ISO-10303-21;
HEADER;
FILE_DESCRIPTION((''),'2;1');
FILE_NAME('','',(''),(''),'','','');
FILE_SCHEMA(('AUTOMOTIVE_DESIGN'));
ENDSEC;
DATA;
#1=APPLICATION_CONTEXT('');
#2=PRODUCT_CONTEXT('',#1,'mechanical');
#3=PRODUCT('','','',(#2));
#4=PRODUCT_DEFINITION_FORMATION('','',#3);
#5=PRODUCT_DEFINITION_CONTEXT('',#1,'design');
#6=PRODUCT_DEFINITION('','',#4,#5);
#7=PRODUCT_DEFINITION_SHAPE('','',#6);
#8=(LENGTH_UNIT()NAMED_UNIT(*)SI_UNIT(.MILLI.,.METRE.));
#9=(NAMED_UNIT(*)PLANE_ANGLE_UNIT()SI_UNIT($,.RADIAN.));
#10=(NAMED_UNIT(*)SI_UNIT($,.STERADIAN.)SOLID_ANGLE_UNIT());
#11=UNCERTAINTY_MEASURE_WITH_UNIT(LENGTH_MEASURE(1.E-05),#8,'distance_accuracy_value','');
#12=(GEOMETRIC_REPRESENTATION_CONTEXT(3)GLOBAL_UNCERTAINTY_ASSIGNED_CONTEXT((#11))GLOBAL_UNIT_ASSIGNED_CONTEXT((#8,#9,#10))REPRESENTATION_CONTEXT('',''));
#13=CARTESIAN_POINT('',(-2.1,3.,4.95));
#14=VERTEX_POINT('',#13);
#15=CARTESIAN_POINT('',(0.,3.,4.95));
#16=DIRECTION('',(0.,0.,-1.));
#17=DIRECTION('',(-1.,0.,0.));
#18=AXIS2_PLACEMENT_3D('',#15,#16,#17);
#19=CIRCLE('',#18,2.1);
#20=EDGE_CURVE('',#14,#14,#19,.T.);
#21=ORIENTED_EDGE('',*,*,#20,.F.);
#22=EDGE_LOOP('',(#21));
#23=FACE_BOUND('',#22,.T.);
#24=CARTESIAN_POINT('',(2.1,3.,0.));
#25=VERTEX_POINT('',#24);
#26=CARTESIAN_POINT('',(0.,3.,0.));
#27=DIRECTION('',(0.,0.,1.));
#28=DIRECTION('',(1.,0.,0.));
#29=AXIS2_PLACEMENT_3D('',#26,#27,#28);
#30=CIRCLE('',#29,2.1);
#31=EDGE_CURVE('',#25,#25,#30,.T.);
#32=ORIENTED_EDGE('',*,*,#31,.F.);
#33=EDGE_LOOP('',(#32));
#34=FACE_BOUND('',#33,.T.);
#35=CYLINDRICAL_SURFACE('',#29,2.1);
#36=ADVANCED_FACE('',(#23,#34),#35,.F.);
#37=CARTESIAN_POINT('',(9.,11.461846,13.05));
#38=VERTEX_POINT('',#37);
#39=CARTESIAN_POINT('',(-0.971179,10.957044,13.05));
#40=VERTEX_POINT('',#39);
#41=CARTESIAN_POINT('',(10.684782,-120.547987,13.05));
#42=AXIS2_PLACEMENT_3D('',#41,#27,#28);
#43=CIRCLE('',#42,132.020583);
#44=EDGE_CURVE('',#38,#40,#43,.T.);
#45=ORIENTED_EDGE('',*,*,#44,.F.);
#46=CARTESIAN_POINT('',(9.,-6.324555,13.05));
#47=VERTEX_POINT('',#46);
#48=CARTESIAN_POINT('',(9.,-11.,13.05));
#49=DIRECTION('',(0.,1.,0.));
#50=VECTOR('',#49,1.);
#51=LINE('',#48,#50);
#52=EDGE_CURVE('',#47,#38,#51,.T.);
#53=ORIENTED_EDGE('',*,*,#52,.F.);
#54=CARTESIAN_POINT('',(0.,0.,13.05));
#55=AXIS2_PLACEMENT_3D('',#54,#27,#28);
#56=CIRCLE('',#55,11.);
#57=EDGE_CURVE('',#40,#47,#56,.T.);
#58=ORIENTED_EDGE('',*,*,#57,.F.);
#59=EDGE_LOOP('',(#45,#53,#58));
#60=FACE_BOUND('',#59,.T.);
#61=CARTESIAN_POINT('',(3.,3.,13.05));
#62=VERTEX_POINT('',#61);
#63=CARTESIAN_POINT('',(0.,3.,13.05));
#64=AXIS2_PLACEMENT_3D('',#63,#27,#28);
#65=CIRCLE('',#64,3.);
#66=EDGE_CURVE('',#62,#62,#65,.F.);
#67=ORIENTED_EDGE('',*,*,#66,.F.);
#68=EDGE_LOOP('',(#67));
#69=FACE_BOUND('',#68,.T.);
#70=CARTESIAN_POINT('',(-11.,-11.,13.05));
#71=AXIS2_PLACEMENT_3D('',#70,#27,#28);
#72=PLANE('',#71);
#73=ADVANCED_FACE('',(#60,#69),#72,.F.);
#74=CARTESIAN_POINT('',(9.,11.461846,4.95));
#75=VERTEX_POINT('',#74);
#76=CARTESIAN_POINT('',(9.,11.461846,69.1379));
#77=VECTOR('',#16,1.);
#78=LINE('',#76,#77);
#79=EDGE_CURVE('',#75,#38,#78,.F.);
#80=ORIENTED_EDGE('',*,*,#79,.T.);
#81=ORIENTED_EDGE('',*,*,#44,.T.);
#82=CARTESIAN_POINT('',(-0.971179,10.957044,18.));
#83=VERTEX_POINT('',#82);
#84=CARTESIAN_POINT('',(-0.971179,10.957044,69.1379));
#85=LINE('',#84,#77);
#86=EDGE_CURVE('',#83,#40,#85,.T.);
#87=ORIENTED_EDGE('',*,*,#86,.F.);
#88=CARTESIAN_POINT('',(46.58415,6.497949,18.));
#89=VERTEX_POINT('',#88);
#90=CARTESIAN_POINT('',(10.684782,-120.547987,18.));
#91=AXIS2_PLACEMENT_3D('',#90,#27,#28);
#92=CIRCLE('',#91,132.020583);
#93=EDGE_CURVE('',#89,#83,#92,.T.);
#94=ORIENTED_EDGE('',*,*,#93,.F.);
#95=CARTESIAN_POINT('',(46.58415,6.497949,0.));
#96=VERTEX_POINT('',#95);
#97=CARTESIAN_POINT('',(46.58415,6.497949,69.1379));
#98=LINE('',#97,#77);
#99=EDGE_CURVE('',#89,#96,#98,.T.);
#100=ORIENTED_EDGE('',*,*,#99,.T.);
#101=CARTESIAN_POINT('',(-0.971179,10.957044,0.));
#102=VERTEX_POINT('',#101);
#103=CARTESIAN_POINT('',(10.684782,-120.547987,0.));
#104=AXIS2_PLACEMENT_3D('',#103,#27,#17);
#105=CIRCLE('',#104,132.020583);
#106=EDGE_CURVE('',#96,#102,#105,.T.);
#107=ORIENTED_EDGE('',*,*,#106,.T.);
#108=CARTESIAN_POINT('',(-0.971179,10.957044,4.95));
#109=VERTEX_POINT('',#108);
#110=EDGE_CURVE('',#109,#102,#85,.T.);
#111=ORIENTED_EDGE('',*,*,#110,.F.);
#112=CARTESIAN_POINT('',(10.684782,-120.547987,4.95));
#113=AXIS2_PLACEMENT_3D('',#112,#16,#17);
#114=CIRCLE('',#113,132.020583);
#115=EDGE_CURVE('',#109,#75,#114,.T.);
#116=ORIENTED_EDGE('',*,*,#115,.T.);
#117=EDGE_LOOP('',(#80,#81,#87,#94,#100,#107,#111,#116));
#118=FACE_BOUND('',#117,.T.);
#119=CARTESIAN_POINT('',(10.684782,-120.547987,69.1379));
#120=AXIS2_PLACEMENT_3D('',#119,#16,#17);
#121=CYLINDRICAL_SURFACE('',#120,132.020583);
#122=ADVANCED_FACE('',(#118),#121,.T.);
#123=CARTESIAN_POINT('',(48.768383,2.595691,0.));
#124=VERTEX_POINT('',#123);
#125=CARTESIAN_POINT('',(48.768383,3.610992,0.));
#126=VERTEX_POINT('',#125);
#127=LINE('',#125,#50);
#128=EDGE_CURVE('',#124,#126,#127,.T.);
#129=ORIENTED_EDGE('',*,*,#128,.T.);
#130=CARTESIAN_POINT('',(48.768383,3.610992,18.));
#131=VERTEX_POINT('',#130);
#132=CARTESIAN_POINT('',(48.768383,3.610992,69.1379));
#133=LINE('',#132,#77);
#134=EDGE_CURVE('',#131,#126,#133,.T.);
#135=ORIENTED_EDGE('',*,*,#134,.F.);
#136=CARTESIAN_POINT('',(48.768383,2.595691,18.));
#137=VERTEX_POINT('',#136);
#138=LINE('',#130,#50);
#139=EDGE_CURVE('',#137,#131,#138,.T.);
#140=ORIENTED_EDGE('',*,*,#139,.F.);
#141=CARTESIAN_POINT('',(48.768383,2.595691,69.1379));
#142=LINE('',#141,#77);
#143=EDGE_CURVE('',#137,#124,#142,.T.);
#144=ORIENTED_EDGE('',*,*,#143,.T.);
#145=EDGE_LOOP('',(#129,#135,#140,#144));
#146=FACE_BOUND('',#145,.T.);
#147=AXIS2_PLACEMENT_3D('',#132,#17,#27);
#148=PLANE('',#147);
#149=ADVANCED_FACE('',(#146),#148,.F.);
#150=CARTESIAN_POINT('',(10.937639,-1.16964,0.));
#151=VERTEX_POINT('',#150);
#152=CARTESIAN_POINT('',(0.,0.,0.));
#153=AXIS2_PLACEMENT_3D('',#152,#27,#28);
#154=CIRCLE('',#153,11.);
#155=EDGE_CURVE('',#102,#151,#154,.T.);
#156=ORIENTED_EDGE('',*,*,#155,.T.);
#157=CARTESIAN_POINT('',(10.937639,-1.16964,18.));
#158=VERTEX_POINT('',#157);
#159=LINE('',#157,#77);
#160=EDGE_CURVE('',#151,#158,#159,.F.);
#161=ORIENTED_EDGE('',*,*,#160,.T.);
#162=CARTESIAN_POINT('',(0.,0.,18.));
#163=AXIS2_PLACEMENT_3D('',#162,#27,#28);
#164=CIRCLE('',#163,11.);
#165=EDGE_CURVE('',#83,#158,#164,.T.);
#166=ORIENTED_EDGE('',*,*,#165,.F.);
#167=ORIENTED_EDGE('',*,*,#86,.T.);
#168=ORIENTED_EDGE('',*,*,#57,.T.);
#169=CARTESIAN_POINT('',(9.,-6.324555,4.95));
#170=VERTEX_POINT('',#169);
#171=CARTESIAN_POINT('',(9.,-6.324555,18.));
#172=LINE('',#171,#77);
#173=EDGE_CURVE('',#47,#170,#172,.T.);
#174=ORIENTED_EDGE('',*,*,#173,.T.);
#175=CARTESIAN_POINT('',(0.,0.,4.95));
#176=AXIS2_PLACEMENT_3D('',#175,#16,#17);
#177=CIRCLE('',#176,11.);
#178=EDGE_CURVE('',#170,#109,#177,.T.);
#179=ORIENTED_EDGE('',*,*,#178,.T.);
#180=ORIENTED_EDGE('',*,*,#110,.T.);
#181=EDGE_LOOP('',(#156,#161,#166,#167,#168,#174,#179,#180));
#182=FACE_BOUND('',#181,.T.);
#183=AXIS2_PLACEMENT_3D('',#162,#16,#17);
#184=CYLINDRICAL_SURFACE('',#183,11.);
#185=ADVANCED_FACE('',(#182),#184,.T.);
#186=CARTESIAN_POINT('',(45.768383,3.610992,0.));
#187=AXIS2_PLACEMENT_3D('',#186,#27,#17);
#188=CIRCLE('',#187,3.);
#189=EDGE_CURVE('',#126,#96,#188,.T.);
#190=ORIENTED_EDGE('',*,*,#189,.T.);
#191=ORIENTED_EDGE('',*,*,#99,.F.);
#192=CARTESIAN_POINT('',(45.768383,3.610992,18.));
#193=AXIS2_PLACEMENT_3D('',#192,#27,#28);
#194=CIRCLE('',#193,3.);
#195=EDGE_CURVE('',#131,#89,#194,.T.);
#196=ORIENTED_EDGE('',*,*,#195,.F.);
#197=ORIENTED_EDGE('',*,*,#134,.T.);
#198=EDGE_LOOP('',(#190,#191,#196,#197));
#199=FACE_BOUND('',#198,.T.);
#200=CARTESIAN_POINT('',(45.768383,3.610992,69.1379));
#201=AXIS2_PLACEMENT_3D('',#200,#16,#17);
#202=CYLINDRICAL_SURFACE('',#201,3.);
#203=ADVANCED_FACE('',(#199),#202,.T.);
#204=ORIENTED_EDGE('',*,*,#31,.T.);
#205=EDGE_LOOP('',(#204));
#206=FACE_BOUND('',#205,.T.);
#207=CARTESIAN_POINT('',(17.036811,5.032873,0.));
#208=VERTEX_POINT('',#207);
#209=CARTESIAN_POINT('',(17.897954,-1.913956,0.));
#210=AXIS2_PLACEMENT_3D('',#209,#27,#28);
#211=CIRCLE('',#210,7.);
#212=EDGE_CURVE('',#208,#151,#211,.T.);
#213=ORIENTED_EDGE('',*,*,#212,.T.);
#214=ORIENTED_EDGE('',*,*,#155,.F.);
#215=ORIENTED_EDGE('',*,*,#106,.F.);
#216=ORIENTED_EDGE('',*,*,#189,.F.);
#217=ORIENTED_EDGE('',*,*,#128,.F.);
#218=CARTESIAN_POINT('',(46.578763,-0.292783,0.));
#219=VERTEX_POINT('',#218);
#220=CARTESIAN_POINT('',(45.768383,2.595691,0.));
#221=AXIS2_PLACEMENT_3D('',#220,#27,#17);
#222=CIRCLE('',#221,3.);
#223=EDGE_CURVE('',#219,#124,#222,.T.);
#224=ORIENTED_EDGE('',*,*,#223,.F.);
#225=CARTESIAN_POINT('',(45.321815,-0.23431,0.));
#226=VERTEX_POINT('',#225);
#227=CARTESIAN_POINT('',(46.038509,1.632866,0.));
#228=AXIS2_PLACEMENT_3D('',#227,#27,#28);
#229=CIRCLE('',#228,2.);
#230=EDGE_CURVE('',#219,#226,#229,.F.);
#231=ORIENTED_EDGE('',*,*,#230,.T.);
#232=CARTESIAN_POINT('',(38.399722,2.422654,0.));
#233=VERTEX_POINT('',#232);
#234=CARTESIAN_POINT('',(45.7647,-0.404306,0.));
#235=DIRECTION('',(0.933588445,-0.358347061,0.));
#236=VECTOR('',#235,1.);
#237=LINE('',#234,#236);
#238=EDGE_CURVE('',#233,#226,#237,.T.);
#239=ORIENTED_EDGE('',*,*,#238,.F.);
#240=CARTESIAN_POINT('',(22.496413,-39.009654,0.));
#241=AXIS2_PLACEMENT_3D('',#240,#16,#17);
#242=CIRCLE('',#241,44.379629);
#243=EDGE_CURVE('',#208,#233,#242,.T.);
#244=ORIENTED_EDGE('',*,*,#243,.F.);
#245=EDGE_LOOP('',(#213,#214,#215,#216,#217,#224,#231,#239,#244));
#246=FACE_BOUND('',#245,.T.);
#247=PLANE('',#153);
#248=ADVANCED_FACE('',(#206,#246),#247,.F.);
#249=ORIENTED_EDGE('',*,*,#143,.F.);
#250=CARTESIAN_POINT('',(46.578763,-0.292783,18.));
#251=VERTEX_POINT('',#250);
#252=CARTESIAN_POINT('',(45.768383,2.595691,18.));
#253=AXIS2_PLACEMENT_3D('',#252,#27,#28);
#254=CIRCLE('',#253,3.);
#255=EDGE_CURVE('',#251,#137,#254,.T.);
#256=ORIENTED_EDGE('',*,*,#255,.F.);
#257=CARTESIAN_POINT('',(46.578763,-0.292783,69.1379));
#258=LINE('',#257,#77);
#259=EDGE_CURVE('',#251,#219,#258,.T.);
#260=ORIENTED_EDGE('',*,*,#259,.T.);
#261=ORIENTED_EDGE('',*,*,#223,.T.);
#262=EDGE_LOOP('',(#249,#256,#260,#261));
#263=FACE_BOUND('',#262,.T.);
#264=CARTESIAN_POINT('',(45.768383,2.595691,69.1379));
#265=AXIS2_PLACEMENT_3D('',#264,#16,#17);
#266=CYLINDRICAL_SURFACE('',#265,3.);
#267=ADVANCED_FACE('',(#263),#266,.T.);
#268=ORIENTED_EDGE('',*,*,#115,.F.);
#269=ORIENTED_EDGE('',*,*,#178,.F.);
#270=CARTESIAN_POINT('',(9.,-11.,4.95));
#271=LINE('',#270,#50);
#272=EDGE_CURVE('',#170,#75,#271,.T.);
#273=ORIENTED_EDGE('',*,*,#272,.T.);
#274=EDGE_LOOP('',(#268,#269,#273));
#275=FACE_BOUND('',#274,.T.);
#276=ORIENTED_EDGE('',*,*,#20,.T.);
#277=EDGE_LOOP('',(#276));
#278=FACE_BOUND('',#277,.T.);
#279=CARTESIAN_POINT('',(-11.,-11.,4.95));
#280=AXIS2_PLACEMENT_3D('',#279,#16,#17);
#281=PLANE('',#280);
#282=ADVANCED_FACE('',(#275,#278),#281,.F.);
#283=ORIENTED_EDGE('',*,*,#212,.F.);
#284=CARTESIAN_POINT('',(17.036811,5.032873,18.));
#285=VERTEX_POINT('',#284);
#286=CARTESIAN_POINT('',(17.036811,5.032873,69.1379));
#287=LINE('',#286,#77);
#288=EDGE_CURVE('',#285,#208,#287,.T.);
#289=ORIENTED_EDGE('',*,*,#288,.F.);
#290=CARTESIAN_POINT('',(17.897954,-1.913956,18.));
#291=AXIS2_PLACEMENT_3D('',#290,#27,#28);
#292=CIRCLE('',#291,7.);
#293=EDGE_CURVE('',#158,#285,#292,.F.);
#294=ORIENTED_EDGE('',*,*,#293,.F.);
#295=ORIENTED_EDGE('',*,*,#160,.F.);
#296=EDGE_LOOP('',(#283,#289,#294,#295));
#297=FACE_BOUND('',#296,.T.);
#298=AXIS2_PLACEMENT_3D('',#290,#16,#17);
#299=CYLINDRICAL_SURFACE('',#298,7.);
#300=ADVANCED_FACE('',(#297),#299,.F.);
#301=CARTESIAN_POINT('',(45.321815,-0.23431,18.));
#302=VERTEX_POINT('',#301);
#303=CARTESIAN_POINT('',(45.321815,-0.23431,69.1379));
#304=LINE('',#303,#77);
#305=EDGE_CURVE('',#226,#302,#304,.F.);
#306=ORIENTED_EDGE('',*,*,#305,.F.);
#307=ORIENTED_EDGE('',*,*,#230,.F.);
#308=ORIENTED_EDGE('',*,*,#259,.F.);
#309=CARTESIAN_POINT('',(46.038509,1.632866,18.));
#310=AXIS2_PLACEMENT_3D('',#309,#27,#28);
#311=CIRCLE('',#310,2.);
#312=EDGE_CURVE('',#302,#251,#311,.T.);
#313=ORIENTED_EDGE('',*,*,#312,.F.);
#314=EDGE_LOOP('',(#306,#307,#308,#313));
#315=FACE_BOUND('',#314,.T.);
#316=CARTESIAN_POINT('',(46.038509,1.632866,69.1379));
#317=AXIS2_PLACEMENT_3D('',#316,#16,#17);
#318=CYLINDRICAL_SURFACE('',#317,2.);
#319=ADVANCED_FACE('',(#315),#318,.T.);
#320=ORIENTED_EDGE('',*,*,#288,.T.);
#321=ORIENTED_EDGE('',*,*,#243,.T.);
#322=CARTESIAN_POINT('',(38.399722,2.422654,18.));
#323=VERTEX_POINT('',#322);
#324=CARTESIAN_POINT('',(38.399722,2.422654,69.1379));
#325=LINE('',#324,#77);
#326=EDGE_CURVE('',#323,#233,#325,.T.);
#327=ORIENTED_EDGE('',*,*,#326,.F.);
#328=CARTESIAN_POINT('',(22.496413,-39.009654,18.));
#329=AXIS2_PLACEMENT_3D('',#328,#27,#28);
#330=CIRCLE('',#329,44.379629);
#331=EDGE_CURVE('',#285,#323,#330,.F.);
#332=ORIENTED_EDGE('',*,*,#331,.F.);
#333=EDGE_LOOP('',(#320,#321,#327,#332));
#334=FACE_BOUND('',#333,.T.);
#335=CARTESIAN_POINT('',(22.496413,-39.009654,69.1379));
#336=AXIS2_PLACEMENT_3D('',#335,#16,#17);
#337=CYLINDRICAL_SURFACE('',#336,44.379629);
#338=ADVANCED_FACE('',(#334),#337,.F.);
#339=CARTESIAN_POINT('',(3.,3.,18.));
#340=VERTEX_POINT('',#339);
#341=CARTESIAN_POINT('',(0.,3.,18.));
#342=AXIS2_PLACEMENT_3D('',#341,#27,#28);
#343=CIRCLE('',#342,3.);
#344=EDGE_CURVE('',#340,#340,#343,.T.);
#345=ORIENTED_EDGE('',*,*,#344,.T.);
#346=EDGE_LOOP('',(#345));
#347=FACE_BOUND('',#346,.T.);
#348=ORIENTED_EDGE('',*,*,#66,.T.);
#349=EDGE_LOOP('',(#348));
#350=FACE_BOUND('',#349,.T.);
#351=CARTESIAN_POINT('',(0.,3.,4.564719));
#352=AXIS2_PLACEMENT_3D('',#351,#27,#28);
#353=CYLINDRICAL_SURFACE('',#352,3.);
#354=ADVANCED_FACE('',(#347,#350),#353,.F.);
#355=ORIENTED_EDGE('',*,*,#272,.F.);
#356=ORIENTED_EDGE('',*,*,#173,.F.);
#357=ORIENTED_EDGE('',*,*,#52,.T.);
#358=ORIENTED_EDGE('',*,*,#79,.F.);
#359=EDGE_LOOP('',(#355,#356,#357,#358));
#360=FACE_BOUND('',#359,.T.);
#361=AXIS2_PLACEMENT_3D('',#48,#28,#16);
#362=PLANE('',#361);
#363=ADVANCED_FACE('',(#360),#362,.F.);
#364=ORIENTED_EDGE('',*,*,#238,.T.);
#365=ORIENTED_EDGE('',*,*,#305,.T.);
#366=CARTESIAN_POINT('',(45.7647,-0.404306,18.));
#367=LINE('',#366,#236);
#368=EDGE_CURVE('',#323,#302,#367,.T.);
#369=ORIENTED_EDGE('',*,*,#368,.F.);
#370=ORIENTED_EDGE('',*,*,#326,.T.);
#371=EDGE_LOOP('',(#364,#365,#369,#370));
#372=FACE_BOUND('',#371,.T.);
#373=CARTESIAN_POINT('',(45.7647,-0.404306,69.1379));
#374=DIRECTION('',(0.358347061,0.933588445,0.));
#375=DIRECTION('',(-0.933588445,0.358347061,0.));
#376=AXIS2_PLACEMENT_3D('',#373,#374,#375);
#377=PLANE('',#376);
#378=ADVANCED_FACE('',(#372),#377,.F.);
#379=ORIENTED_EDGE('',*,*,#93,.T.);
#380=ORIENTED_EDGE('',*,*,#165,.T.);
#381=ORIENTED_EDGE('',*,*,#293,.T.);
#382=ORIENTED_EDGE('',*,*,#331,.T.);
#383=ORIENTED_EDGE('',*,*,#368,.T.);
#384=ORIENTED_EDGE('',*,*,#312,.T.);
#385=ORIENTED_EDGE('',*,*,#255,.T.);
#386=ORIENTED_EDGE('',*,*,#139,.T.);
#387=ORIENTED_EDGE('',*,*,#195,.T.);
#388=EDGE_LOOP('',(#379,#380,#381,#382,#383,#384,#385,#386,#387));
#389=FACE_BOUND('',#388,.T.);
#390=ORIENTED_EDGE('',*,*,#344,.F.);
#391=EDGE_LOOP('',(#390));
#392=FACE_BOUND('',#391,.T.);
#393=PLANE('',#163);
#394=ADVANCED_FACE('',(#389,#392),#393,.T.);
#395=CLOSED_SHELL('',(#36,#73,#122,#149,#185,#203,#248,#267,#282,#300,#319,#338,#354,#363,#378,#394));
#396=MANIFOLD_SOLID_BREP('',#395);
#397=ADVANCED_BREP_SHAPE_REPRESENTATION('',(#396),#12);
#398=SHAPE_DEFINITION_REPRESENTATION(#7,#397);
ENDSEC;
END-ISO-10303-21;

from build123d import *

# Parameters (mm, degrees)
SKETCH_1_R               = 11
EXTRUDE_1_DEPTH          = 18
EXTRUDE_2_DEPTH          = 18
FILLET_1_R               = 2
CUT_EXTRUDE_1_DEPTH      = 54.23509778
CUT_EXTRUDE_1_DEPTH_BACK = 54.23509778
SKETCH_3_W               = 20
SKETCH_3_H               = 8.1
SKETCH_4_R               = 3
CUT_EXTRUDE_2_DEPTH      = 4.95
SKETCH_5_R               = 2.1
CUT_EXTRUDE_3_DEPTH      = 54.23509778
FILLET_2_R               = 7


with BuildPart() as part:
    # Эскиз1 → Бобышка-Вытянуть1 (new body)
    with BuildSketch(Plane.XY):
        Circle(SKETCH_1_R)
    extrude(amount=EXTRUDE_1_DEPTH)

    # Эскиз2 → Бобышка-Вытянуть2 (add)
    with BuildSketch(Plane.XY):
        with BuildLine():
            Line((48.76838274, 3.610991898), (48.76838274, 2.595691289))
            ThreePointArc((48.76838274, 2.595691289), (47.88840056, 0.473069222), (45.76469978, -0.40430645))
            Line((45.76469978, -0.40430645), (38.399722319, 2.422654444))
            ThreePointArc((38.399722319, 2.422654444), (24.484941772, 5.325401982), (10.366167345, 3.680023719))
            Line((10.366167345, 3.680023719), (-0.971178616, 10.957043949))
            ThreePointArc((-0.971178616, 10.957043949), (23.009820936, 10.8960239), (46.584150264, 6.497949353))
            ThreePointArc((46.584150264, 6.497949353), (48.160798106, 5.421060602), (48.76838274, 3.610991898))
        make_face()
    extrude(amount=EXTRUDE_2_DEPTH)

    # Скругление1
    fillet_1_edges = [part.edges().sort_by_distance(p)[0] for p in [
        (45.76469978, -0.40430645, 9),
    ]]
    fillet(fillet_1_edges, radius=FILLET_1_R)

    # Эскиз3 → Вырез-Вытянуть1 (cut, two sides: drawn at the far end of the back side and taken through both)
    with BuildSketch(Plane(origin=(0, 0, 0), x_dir=(1, 0, 0), z_dir=(0, 1, 0)).offset(-CUT_EXTRUDE_1_DEPTH_BACK)):
        with Locations((-1, -9)):
            Rectangle(SKETCH_3_W, SKETCH_3_H)
    extrude(amount=CUT_EXTRUDE_1_DEPTH + CUT_EXTRUDE_1_DEPTH_BACK, mode=Mode.SUBTRACT)

    # Эскиз4 → Вырез-Вытянуть2 (cut)
    with BuildSketch(Plane.XY.offset(18)):
        with Locations((0, 3)):
            Circle(SKETCH_4_R)
    extrude(amount=-CUT_EXTRUDE_2_DEPTH, mode=Mode.SUBTRACT)

    # Эскиз5 → Вырез-Вытянуть3 (cut, through all)
    with BuildSketch(Plane.XY.offset(18)):
        with Locations((0, 3)):
            Circle(SKETCH_5_R)
    extrude(amount=-CUT_EXTRUDE_3_DEPTH, mode=Mode.SUBTRACT)

    # Скругление2
    fillet_2_edges = [part.edges().sort_by_distance(p)[0] for p in [
        (10.366167345, 3.680023719, 9),
    ]]
    fillet(fillet_2_edges, radius=FILLET_2_R)


solid = part.part
